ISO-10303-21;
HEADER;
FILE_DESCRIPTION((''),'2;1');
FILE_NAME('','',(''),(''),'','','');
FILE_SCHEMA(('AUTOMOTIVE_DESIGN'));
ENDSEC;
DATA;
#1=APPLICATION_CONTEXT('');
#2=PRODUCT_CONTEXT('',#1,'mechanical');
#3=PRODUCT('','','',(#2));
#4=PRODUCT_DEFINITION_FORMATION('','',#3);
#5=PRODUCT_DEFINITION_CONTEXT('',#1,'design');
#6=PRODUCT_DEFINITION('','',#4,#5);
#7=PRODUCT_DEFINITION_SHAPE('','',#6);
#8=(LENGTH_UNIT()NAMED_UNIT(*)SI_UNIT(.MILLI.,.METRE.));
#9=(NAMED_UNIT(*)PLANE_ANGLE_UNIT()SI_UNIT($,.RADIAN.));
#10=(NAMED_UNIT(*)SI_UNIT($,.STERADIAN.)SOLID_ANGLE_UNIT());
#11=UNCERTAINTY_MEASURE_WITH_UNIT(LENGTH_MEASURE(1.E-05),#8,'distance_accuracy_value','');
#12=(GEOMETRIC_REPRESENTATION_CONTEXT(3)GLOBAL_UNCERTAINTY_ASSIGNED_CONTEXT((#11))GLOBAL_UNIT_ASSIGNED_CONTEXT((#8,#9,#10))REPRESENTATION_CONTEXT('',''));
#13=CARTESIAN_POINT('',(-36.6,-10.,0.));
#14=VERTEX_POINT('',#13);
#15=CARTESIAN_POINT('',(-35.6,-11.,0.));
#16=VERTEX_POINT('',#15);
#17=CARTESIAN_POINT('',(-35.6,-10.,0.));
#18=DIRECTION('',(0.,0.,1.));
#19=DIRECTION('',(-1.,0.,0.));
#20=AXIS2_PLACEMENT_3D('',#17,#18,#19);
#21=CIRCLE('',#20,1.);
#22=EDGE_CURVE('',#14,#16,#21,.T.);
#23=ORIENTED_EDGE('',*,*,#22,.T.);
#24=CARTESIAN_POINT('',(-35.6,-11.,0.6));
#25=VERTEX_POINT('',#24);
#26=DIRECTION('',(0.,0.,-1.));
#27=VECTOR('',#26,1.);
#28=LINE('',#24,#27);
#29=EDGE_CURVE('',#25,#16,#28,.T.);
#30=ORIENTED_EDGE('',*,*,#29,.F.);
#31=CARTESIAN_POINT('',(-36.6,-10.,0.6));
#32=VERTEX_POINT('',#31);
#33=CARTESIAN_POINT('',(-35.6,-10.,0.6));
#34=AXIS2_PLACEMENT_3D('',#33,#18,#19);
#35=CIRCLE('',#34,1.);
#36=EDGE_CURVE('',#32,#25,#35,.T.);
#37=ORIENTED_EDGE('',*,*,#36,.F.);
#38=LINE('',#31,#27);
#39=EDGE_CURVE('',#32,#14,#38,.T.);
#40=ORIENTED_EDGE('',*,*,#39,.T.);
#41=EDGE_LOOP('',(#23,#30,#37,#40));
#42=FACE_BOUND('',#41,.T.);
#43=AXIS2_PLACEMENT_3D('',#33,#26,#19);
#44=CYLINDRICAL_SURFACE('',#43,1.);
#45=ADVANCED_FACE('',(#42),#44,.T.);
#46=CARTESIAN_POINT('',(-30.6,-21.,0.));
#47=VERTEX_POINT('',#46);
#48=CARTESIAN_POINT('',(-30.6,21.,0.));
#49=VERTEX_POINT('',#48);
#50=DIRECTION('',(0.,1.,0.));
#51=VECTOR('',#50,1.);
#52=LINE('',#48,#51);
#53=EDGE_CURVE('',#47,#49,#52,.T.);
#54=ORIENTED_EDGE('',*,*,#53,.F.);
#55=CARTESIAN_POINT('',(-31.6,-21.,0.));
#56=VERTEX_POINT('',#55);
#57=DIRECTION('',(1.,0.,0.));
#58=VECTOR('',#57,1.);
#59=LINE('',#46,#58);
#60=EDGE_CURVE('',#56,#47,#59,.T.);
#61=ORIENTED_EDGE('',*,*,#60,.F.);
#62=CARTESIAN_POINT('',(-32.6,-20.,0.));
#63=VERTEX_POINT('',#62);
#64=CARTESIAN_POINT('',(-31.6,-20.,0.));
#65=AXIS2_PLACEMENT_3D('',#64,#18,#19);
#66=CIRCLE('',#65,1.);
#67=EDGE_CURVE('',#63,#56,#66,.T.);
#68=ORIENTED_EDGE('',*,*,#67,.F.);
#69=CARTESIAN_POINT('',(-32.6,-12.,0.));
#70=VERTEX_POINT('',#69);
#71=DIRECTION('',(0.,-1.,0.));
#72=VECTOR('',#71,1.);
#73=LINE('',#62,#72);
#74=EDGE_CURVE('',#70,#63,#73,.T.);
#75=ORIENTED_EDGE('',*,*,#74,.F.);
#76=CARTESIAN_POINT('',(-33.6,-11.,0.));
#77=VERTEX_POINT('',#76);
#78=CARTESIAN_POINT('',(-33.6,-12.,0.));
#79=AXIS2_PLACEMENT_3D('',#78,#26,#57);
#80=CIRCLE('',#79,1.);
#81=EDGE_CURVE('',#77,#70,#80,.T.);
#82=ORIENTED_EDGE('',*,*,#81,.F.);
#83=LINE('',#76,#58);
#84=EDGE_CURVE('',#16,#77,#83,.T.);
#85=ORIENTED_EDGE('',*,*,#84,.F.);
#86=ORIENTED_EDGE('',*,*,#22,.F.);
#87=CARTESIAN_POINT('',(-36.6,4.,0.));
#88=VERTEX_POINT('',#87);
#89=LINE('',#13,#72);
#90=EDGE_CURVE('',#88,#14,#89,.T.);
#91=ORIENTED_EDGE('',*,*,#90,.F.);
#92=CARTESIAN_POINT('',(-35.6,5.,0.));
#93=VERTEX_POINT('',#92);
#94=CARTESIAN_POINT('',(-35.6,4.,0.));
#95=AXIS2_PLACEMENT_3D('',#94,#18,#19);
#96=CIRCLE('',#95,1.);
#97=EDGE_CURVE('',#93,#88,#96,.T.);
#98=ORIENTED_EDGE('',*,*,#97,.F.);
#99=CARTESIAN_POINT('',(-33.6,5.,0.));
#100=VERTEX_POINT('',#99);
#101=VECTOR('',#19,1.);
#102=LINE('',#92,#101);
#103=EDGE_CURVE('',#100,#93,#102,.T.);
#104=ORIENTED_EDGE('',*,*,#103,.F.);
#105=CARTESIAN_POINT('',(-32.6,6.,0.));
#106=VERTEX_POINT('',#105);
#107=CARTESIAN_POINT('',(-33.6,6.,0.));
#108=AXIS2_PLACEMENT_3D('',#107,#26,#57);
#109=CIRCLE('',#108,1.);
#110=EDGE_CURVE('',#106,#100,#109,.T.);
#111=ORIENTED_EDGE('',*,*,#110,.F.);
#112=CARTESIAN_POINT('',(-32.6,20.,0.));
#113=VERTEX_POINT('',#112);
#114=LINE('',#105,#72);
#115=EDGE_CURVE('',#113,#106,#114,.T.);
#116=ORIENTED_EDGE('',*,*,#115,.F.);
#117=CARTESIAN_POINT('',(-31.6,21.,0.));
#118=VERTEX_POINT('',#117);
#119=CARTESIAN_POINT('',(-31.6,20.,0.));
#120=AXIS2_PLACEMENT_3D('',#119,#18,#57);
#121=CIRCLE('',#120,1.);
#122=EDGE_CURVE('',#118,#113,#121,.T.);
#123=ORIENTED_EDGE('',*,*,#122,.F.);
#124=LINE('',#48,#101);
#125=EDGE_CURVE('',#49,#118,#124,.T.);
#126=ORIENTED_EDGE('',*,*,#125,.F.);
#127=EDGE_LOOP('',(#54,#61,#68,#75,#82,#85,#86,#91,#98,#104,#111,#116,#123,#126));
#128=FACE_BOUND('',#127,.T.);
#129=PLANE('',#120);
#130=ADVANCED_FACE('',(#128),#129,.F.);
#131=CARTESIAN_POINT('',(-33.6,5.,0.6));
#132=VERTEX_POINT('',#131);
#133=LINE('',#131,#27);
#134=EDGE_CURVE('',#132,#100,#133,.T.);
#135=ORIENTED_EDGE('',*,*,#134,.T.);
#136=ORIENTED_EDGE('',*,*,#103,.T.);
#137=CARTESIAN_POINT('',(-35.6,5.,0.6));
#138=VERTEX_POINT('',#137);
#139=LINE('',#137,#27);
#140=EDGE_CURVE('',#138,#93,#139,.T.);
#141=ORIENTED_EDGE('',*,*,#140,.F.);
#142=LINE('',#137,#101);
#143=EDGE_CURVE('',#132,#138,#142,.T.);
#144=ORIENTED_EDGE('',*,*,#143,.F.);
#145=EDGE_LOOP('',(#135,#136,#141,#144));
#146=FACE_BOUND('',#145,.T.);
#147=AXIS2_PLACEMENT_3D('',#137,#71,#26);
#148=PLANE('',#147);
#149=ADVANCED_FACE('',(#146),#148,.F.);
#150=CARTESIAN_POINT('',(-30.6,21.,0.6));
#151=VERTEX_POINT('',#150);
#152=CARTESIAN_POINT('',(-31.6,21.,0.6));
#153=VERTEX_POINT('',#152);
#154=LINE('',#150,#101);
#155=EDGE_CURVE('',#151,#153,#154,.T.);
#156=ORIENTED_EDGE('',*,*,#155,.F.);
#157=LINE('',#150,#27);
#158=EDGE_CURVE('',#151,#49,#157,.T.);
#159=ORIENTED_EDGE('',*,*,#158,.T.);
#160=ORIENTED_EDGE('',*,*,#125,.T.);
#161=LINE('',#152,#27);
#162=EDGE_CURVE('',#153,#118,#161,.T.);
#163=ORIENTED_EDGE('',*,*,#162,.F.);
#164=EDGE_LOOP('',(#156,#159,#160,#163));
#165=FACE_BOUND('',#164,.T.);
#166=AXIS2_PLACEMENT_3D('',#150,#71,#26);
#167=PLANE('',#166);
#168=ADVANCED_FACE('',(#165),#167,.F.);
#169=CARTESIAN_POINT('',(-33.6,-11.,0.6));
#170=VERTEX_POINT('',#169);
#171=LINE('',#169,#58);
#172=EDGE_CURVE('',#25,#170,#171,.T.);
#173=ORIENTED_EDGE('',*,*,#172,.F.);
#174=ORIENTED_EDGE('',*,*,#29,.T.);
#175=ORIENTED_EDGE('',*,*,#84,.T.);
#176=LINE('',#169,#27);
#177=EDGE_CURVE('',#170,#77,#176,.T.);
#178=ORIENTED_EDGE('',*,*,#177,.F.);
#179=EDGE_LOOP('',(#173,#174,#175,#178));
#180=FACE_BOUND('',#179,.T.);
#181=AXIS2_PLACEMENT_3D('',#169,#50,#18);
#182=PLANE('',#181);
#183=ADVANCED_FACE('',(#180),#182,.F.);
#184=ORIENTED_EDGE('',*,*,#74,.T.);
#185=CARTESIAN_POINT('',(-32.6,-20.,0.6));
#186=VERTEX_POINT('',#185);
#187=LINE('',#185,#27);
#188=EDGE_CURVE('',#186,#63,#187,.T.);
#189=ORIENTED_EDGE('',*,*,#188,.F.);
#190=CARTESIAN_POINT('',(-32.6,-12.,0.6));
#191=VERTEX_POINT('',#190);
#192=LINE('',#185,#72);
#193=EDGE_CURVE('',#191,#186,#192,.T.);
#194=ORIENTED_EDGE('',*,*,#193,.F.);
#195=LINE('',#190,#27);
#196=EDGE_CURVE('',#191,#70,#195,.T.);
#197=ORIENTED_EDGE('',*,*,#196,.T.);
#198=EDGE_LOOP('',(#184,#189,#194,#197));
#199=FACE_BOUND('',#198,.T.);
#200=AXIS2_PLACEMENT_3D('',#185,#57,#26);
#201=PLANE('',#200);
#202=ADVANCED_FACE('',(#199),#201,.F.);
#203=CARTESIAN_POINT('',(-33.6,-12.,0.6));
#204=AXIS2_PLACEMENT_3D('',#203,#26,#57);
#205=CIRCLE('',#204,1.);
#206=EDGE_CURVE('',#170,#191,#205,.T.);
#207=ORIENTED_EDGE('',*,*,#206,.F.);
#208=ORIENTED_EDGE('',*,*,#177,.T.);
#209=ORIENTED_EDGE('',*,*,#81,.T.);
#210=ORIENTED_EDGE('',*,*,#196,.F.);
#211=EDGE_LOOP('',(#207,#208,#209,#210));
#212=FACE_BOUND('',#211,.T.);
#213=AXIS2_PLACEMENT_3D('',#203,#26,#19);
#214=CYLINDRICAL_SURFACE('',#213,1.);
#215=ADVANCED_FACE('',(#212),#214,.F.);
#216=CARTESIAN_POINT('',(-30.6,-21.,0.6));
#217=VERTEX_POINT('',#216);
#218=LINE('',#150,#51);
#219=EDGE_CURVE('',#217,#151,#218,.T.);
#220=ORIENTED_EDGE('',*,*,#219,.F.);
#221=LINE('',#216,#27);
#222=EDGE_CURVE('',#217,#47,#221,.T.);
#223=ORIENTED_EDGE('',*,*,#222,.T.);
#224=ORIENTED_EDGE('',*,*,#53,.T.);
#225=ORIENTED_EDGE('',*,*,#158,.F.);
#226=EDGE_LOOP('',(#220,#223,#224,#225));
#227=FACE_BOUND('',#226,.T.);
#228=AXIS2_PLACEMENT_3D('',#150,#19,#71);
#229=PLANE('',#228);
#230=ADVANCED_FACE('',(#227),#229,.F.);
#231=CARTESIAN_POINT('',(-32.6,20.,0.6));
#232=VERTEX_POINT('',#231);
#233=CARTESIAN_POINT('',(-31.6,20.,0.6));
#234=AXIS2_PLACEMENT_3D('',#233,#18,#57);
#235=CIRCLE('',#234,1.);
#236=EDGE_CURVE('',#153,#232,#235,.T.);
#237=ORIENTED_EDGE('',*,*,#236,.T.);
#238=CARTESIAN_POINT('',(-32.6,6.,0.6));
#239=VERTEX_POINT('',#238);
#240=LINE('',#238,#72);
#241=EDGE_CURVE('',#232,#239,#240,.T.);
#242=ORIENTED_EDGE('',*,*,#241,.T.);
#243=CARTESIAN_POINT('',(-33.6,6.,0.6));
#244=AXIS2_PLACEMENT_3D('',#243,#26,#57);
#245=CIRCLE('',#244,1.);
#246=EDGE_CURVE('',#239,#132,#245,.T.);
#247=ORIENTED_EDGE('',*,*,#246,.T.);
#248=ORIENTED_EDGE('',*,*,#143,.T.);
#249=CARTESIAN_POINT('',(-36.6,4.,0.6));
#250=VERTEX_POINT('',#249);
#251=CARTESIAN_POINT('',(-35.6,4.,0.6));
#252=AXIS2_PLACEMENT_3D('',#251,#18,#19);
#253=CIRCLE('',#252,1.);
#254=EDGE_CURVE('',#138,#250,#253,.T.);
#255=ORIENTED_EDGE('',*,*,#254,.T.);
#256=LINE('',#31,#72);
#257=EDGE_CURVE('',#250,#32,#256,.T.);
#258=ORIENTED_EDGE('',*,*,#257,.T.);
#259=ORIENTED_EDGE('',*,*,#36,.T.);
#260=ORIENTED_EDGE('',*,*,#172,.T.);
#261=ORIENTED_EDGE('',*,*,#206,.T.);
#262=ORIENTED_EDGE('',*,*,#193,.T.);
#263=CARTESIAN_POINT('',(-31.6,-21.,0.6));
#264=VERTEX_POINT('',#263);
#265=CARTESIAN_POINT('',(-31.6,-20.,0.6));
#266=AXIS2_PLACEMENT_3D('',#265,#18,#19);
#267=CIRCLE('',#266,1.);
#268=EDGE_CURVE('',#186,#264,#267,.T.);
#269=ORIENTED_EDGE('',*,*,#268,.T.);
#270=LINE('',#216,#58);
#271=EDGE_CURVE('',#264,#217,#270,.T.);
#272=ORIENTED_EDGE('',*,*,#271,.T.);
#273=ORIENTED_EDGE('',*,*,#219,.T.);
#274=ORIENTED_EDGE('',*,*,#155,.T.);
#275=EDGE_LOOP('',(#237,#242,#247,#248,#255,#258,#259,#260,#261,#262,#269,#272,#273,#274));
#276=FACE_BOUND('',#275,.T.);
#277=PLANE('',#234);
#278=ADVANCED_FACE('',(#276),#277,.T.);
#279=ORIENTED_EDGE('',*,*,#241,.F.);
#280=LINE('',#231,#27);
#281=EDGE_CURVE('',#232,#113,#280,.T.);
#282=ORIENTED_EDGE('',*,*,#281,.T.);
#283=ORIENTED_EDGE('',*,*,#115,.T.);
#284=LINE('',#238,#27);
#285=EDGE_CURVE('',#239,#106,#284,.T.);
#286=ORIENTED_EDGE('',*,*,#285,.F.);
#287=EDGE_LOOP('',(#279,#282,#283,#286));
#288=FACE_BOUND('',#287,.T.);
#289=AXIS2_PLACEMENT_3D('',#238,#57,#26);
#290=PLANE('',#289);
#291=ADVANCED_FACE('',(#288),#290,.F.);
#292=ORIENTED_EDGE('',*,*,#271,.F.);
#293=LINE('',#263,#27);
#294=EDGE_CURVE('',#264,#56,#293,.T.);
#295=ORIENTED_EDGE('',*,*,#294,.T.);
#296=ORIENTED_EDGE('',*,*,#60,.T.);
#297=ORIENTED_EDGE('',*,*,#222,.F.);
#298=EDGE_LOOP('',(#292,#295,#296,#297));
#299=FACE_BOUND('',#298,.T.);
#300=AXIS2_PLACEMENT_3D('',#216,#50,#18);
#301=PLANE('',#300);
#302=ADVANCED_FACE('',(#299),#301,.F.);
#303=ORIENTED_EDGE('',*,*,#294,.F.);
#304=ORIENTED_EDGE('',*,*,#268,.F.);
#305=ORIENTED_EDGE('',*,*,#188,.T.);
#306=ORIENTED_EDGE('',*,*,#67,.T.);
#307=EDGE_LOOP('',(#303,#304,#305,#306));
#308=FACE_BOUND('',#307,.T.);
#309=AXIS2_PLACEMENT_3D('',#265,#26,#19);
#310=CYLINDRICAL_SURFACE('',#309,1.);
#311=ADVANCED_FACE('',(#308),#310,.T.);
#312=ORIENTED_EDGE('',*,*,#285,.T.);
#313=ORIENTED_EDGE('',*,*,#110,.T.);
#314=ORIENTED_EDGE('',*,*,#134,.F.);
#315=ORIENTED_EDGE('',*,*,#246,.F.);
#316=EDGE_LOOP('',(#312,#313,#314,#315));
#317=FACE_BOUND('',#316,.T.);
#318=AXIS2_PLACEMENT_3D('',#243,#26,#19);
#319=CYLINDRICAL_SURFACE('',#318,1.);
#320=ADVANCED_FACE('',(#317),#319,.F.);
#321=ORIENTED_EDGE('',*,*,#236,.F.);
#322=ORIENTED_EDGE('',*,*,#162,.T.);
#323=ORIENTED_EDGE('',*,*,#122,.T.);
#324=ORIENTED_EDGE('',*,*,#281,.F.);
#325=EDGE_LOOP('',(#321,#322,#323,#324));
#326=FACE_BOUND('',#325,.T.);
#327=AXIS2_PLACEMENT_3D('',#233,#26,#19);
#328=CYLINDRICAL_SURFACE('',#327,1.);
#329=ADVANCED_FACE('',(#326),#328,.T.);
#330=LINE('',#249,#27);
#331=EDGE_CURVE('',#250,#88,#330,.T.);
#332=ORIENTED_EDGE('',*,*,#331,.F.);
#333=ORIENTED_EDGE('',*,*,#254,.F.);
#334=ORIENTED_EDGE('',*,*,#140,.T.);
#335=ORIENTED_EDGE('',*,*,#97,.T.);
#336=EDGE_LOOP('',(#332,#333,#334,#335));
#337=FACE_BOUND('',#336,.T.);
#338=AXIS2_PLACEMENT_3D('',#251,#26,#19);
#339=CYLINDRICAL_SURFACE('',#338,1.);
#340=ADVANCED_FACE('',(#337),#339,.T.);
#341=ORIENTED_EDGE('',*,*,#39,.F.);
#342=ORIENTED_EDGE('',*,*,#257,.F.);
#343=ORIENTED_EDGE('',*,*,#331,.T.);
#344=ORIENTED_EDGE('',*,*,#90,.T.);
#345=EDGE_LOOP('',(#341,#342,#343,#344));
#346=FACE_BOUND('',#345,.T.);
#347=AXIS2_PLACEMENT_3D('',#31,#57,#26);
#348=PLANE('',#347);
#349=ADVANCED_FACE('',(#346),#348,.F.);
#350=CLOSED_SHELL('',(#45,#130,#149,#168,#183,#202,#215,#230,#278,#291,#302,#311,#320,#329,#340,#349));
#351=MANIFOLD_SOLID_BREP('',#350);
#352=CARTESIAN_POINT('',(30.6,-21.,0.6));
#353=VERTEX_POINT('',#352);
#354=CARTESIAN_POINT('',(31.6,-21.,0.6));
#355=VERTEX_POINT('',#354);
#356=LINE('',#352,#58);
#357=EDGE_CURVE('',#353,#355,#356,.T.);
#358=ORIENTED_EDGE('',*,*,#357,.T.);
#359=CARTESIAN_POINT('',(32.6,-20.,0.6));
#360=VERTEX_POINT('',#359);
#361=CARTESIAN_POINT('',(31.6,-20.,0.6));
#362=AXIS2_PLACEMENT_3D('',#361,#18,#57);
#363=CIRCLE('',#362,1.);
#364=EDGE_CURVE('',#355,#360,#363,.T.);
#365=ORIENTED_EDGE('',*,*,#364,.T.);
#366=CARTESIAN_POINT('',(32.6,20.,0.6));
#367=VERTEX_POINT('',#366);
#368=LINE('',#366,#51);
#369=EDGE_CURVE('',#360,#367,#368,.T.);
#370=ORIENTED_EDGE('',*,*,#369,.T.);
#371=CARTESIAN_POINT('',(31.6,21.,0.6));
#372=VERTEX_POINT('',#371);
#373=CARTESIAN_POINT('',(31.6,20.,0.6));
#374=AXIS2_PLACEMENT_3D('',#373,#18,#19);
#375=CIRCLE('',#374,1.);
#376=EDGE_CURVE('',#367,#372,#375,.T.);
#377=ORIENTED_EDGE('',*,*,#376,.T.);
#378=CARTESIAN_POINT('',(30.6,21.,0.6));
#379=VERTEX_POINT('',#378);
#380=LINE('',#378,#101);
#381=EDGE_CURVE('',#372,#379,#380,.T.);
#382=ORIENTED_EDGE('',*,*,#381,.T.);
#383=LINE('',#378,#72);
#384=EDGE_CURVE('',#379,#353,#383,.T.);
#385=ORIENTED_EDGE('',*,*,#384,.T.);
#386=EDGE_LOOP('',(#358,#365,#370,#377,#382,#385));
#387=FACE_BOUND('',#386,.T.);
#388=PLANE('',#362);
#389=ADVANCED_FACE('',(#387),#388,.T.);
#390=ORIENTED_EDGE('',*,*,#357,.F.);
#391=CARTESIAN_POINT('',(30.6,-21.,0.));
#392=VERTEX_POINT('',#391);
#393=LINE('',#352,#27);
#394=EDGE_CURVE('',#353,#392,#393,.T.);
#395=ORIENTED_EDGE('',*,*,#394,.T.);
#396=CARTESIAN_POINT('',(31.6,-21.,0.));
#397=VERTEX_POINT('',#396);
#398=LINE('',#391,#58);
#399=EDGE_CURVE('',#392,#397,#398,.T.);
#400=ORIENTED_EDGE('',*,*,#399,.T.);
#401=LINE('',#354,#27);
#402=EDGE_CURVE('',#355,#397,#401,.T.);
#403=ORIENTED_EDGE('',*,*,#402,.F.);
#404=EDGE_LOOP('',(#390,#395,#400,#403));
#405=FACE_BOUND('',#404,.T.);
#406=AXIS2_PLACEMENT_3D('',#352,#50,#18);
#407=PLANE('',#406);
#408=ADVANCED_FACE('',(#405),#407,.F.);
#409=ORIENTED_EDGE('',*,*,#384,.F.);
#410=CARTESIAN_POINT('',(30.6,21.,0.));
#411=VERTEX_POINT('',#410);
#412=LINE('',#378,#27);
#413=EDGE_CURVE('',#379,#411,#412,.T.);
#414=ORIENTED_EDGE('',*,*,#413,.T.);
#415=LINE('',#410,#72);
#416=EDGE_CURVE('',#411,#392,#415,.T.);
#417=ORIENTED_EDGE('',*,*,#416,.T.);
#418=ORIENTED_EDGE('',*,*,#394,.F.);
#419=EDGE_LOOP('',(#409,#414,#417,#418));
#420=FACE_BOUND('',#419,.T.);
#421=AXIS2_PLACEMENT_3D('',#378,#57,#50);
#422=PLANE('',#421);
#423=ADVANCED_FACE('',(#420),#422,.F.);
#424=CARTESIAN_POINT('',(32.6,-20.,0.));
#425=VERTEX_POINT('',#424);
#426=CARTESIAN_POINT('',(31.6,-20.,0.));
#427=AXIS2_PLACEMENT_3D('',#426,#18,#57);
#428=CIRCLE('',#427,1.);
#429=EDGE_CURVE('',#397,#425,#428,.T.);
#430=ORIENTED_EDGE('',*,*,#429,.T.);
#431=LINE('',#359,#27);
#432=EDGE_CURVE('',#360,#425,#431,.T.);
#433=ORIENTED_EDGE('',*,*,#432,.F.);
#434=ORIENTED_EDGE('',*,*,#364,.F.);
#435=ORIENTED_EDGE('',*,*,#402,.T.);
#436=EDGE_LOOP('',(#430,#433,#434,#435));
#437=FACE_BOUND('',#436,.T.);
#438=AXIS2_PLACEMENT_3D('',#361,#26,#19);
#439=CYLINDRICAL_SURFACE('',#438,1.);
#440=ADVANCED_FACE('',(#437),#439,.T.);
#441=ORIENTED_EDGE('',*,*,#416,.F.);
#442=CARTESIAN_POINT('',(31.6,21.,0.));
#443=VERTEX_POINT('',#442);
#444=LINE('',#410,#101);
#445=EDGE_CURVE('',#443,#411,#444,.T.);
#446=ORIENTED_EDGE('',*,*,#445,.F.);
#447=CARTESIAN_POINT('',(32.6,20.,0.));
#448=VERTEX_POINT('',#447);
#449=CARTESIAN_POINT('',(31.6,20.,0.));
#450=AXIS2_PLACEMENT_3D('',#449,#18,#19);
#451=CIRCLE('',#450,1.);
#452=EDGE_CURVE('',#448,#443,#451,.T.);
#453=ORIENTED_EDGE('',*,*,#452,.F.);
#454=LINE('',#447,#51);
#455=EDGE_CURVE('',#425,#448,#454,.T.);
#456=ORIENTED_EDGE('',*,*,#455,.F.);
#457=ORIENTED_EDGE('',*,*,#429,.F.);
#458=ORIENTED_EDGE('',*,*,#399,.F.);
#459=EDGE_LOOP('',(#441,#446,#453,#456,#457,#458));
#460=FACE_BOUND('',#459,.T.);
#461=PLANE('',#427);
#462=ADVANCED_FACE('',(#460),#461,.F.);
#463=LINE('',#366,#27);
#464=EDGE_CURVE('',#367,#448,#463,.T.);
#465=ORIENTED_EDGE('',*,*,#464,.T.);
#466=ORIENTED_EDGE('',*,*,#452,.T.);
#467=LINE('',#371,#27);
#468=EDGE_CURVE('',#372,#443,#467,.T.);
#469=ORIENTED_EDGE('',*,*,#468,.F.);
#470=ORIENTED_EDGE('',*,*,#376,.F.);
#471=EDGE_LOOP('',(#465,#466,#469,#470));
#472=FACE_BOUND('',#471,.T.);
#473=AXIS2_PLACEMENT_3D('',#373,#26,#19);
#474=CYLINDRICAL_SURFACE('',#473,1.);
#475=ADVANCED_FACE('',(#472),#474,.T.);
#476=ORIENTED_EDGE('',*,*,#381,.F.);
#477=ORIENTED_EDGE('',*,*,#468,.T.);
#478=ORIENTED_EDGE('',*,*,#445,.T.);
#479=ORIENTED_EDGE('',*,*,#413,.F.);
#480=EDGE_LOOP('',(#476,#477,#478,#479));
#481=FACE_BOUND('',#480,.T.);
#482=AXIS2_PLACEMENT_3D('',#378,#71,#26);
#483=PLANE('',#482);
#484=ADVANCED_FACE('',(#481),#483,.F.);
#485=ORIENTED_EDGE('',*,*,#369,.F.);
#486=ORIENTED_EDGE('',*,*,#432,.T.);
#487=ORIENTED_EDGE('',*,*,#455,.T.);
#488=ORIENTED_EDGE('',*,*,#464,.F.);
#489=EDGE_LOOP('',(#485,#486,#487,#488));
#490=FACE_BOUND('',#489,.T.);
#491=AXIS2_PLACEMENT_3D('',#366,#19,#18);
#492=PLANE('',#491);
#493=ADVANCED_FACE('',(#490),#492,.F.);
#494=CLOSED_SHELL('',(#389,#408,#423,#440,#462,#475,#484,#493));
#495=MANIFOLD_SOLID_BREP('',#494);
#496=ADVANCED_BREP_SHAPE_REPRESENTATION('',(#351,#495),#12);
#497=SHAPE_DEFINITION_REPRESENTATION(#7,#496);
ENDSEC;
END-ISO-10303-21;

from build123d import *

# Parameters (mm, degrees)
EXTRUDE_1_DEPTH   = 0.6
EXTRUDE_1_2_DEPTH = 0.6


with BuildPart() as part:
    # Эскиз1 → Бобышка-Вытянуть1 (new body)
    with BuildSketch(Plane.XY):
        with BuildLine():
            Line((-30.6, -21), (-31.6, -21))
            ThreePointArc((-31.6, -21), (-32.307106781, -20.707106781), (-32.6, -20))
            Line((-32.6, -20), (-32.6, -12))
            ThreePointArc((-32.6, -12), (-32.892893219, -11.292893219), (-33.6, -11))
            Line((-33.6, -11), (-35.6, -11))
            ThreePointArc((-35.6, -11), (-36.307106781, -10.707106781), (-36.6, -10))
            Line((-36.6, -10), (-36.6, 4))
            ThreePointArc((-36.6, 4), (-36.307106781, 4.707106781), (-35.6, 5))
            Line((-35.6, 5), (-33.6, 5))
            ThreePointArc((-33.6, 5), (-32.892893219, 5.292893219), (-32.6, 6))
            Line((-32.6, 6), (-32.6, 20))
            ThreePointArc((-32.6, 20), (-32.307106781, 20.707106781), (-31.6, 21))
            Line((-31.6, 21), (-30.6, 21))
            Line((-30.6, 21), (-30.6, -21))
        make_face()
    extrude(amount=EXTRUDE_1_DEPTH)


with BuildPart() as body_2:
    # Эскиз1 → Extrude 1 2 (new body)
    with BuildSketch(Plane.XY):
        with BuildLine():
            Line((30.6, 21), (31.6, 21))
            ThreePointArc((31.6, 21), (32.307106781, 20.707106781), (32.6, 20))
            Line((32.6, 20), (32.6, -20))
            ThreePointArc((32.6, -20), (32.307106781, -20.707106781), (31.6, -21))
            Line((31.6, -21), (30.6, -21))
            Line((30.6, -21), (30.6, 21))
        make_face()
    extrude(amount=EXTRUDE_1_2_DEPTH)


solid = Compound([part.part, body_2.part])
